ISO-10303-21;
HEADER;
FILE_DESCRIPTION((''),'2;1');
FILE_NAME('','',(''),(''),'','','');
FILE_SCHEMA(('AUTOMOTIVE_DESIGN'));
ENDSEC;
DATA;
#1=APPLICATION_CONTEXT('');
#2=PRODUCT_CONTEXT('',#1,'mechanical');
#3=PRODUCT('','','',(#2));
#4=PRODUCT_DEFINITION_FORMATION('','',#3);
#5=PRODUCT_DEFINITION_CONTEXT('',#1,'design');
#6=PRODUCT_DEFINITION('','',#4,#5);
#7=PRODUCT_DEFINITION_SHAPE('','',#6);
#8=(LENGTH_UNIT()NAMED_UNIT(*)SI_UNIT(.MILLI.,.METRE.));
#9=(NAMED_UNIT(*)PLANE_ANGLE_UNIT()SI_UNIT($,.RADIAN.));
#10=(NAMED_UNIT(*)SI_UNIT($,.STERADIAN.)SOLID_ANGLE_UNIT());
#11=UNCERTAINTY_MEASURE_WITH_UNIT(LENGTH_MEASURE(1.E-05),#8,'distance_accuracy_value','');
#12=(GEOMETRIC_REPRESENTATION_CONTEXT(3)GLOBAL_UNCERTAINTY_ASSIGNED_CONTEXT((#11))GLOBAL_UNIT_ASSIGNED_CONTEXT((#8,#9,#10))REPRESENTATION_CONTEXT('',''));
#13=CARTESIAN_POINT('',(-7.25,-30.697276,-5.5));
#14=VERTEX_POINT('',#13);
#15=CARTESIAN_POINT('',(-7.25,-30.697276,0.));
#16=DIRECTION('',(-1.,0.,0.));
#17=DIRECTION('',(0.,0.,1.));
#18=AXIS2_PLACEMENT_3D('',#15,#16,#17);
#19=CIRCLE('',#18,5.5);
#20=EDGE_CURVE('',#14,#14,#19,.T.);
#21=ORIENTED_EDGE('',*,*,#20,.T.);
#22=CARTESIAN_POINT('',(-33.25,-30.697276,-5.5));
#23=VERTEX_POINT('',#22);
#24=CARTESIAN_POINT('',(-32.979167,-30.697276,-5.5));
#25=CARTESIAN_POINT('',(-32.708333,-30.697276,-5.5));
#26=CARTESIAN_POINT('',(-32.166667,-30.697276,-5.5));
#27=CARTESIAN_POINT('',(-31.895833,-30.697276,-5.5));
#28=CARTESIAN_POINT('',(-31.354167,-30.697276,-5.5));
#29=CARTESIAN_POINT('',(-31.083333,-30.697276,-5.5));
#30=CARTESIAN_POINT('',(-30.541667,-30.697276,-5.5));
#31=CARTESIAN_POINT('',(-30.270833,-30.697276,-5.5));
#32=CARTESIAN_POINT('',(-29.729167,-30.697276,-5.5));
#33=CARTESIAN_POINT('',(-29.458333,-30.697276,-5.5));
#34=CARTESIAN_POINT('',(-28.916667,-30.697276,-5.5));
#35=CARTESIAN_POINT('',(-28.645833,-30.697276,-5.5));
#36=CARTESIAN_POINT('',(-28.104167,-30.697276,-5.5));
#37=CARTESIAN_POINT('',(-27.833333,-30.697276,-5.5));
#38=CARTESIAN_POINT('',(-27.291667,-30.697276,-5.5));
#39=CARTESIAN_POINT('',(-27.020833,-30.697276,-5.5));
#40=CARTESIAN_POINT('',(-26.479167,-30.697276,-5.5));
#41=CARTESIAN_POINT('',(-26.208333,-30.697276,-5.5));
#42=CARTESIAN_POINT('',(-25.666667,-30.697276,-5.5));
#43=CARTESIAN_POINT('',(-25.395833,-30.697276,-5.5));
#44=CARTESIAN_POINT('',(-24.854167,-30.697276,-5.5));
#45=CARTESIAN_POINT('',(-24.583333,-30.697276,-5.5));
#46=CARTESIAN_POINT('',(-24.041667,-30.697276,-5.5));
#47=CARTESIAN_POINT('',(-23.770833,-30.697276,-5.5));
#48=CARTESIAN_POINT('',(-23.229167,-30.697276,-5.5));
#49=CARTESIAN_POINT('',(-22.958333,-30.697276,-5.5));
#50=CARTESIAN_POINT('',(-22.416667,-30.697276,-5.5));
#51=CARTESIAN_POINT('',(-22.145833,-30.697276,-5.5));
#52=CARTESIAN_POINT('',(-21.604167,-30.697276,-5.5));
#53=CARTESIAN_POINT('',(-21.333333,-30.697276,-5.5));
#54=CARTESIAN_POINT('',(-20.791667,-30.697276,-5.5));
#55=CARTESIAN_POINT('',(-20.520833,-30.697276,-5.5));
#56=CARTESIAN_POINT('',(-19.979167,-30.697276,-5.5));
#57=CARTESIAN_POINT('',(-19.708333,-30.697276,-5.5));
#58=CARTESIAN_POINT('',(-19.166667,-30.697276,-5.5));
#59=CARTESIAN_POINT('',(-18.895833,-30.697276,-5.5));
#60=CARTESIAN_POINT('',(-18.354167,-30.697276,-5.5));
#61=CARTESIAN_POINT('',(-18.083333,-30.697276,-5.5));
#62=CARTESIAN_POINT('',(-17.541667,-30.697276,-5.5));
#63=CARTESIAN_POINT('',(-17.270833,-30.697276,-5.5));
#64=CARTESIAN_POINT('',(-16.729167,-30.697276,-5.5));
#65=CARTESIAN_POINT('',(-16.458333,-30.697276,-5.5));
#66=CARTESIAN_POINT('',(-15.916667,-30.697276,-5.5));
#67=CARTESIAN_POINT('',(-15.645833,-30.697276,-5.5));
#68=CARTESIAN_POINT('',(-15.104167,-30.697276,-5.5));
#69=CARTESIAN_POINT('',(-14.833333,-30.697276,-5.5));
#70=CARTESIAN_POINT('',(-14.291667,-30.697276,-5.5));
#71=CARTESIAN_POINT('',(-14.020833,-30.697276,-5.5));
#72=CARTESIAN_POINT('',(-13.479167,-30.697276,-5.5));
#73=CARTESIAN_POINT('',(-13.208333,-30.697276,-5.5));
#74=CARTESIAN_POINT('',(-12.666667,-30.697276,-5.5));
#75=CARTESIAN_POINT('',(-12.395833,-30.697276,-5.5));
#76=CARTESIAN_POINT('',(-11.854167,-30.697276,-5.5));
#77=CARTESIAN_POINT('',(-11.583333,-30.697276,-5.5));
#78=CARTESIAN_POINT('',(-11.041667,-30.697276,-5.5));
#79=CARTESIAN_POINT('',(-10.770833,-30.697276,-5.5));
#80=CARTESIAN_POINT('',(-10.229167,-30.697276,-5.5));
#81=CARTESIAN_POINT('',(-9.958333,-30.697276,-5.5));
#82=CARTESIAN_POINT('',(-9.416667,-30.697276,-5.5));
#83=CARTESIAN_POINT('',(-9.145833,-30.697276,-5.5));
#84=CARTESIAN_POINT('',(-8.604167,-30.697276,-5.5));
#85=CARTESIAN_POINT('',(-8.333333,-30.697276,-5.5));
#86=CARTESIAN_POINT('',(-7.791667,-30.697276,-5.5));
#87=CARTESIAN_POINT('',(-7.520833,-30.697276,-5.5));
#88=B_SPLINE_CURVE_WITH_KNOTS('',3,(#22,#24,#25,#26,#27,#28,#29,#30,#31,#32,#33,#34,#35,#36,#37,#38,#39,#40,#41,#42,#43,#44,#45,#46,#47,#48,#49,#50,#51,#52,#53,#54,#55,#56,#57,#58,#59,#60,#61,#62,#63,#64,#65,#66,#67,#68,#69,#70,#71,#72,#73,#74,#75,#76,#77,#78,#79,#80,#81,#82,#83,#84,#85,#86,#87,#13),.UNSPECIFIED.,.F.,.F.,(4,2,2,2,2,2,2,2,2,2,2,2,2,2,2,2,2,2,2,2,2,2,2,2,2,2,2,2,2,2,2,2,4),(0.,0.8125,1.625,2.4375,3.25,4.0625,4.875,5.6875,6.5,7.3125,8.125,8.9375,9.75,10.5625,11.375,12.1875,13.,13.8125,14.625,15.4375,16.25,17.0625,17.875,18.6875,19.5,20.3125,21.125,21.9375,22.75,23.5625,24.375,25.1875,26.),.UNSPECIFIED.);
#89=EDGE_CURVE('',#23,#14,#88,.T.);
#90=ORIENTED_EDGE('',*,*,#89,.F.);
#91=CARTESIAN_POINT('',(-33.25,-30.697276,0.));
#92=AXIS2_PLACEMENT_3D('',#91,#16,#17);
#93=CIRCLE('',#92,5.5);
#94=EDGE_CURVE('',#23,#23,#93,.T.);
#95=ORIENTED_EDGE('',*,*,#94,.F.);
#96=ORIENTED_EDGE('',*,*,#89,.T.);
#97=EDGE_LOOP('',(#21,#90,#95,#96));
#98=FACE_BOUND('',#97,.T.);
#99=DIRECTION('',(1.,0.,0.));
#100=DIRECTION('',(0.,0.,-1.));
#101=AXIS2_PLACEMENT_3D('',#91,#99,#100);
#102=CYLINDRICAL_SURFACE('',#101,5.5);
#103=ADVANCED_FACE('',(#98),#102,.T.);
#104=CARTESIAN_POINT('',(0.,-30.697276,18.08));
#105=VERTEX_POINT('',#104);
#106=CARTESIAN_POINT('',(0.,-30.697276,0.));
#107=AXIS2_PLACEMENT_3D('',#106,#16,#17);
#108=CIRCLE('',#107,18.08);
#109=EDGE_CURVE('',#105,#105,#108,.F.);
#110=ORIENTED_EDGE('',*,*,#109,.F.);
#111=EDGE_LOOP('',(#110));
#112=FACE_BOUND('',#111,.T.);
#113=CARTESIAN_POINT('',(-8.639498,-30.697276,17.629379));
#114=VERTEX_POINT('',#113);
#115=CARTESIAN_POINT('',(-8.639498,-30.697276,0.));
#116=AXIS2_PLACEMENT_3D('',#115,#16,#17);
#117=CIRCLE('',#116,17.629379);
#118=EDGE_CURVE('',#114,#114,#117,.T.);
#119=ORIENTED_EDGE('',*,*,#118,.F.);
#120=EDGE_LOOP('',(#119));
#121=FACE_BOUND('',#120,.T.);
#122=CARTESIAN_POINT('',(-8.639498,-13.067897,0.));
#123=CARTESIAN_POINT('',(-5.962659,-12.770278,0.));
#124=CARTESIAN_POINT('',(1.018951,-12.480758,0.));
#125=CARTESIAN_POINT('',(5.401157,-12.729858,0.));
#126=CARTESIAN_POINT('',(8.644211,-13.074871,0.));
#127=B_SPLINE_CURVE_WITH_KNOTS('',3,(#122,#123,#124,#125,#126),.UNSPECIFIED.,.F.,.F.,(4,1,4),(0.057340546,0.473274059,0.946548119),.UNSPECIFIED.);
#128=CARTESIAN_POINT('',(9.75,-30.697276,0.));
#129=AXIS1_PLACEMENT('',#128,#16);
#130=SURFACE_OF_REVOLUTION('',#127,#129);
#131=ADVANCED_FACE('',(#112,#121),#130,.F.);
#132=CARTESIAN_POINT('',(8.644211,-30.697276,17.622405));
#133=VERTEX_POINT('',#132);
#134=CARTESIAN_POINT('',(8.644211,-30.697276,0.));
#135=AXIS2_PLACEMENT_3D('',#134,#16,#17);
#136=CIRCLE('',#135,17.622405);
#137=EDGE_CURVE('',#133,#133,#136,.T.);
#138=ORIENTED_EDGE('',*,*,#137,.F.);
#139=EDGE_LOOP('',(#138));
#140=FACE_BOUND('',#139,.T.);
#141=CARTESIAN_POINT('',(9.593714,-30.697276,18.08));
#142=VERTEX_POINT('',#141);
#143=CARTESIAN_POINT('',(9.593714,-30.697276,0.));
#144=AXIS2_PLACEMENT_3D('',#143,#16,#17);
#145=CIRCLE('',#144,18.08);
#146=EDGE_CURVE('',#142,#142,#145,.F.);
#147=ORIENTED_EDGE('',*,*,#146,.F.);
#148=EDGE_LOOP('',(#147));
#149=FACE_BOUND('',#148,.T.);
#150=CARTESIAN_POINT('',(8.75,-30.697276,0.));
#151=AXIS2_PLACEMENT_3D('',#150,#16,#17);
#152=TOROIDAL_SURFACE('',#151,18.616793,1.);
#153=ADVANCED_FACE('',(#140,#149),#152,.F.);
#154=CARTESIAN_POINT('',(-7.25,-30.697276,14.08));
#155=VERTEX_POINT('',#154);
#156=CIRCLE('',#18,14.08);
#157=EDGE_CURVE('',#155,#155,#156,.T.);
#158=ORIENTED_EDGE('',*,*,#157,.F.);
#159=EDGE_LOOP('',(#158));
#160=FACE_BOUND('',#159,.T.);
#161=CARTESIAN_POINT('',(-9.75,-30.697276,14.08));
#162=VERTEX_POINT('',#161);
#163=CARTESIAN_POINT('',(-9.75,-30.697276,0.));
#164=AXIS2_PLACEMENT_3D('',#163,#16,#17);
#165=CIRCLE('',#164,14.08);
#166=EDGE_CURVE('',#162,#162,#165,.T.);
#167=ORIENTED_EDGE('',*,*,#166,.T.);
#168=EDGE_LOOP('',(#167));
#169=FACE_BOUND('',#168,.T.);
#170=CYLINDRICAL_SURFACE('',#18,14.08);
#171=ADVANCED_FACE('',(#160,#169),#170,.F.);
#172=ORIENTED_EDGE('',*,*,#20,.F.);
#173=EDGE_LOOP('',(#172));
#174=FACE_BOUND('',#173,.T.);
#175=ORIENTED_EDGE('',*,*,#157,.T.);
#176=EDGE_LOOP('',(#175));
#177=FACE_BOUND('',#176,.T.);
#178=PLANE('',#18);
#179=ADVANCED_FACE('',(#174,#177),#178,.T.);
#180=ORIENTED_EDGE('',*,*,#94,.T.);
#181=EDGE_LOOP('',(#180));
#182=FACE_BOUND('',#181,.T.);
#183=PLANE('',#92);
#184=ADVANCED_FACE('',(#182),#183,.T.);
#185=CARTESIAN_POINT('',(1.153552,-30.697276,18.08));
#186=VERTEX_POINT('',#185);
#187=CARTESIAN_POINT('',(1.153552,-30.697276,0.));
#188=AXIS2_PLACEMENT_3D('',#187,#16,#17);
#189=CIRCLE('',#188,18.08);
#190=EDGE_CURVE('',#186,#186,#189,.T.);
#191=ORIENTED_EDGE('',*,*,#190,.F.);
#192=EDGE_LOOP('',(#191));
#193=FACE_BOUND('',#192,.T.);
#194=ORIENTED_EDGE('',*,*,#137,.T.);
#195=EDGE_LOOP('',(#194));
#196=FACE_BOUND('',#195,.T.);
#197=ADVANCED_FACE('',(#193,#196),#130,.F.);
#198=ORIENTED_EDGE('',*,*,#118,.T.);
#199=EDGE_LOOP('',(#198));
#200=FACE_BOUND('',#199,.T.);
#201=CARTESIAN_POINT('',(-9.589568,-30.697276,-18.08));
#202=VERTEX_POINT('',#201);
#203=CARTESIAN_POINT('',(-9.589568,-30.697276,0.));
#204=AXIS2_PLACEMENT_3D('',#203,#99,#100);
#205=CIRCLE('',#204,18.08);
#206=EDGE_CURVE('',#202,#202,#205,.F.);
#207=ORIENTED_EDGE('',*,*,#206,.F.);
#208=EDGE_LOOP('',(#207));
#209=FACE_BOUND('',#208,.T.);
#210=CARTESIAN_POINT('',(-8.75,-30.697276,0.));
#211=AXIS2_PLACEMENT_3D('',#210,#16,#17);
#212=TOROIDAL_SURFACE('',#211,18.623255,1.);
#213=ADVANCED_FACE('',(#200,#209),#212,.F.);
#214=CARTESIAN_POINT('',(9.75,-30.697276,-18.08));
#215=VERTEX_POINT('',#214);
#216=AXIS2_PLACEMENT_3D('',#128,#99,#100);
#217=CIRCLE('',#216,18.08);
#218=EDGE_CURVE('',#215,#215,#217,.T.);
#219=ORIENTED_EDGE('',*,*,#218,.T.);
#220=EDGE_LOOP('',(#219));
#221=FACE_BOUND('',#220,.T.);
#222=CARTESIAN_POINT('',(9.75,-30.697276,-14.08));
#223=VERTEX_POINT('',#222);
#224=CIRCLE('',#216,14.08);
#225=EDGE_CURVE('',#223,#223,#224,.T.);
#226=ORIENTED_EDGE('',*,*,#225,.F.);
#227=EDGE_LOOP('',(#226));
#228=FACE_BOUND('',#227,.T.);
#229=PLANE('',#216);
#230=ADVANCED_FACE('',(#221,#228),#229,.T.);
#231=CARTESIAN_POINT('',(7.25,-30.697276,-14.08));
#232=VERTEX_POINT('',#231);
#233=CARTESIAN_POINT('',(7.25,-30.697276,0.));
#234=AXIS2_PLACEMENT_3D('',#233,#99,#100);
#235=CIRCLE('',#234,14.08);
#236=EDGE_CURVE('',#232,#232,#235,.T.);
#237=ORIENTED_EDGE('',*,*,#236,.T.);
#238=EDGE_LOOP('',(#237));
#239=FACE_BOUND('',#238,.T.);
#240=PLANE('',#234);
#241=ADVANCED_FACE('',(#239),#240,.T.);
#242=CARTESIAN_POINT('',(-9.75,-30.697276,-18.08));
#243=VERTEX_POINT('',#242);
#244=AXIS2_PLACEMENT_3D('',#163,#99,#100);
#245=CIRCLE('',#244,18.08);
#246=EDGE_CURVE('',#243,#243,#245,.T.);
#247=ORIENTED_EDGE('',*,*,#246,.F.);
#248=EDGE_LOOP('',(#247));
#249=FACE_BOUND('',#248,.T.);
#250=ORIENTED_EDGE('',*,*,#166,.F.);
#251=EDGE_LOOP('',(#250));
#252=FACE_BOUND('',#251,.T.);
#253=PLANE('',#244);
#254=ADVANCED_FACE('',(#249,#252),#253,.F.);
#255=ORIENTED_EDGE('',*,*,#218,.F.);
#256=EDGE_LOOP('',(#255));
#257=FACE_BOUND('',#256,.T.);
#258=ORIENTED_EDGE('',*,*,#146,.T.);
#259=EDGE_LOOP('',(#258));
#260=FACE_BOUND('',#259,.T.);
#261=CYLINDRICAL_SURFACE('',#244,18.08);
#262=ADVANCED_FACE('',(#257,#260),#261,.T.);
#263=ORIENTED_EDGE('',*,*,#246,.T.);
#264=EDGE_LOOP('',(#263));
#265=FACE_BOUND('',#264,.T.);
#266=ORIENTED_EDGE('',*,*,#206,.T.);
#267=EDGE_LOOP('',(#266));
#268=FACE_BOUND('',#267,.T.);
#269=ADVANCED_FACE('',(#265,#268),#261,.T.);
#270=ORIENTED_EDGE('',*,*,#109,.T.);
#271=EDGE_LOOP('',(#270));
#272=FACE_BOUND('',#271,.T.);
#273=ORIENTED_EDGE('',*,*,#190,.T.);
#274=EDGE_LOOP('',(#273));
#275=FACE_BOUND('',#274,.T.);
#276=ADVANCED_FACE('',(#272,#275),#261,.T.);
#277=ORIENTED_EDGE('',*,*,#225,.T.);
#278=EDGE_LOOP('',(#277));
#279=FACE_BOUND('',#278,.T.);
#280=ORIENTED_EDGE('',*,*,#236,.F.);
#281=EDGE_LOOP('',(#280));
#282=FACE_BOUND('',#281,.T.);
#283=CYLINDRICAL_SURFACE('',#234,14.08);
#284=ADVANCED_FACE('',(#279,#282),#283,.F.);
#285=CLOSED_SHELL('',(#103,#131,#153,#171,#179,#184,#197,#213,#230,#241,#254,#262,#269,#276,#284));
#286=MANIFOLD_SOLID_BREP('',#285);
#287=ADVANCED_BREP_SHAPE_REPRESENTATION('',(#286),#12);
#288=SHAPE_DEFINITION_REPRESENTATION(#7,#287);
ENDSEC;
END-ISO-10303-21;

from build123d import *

# Parameters (mm, degrees)
BOSS_EXTRU_1_DEPTH      = 9.75
BOSS_EXTRU_1_DEPTH_BACK = 9.75
ESQUISSE2_R             = 18.08
ESQUISSE4_R             = 14.08
ENL_V_MAT_EXTRU_1_DEPTH = 2.5
ENL_V_START             = -2.5
ESQUISSE5_R             = 14.08
ENL_V_MAT_EXTRU_2_DEPTH = 2.5
ESQUISSE6_R             = 5.5
BOSS_EXTRU_2_DEPTH      = 26


with BuildPart() as part:
    # Esquisse2 → Boss.-Extru.1 (new, two sides: drawn at the far end of the back side and taken through both)
    with BuildSketch(Plane(origin=(0, 0, 0), x_dir=(0, 0, -1), z_dir=(1, 0, 0)).offset(-BOSS_EXTRU_1_DEPTH_BACK)):
        with Locations((0, -30.697276077)):
            Circle(ESQUISSE2_R)
    extrude(amount=BOSS_EXTRU_1_DEPTH + BOSS_EXTRU_1_DEPTH_BACK)

    # Enlèvement de matière-Balayage1: sweep along a curve in space
    with BuildLine() as enl_vement_de_mati_re_balayage1_path:
        ThreePointArc((9.75, -30.697276077, -18.08), (9.75, -17.912785473, -12.784490604), (9.75, -12.617276077, 0))
        ThreePointArc((9.75, -12.617276077, 0), (9.75, -17.912785473, 12.784490604), (9.75, -30.697276077, 18.08))
        ThreePointArc((9.75, -30.697276077, 18.08), (9.75, -43.481766681, 12.784490604), (9.75, -48.777276077, 0))
        ThreePointArc((9.75, -48.777276077, 0), (9.75, -43.481766681, -12.784490604), (9.75, -30.697276077, -18.08))
    # Esquisse1 → Enlèvement de matière-Balayage1 (sweep, cut)
    with BuildSketch(Plane.XY):
        with BuildLine():
            Line((9.75, -1.705844805), (9.75, -12.080482835))
            ThreePointArc((9.75, -12.080482835), (9.418659658, -12.824051434), (8.644211477, -13.074871486))
            add(Edge.make_bspline(
                [(-8.639497918, -13.06789707), (-5.962658662, -12.770278108), (1.018950966, -12.480757929), (5.401157061, -12.729857554), (8.644211477, -13.074871486)],
                knots=[0.057340546, 0.057340546, 0.057340546, 0.057340546, 0.473274059, 0.946548119, 0.946548119, 0.946548119, 0.946548119], degree=3))
            ThreePointArc((-8.639497918, -13.06789707), (-9.416895013, -12.819172867), (-9.75, -12.074021177))
            Line((-9.75, -12.074021177), (-9.75, -1.69364433))
            ThreePointArc((-9.75, -1.69364433), (-9.265544866, -0.388606491), (-8.04687624, 0.284199066))
            add(Edge.make_bspline(
                [(-8.04687624, 0.284199066), (-5.709420251, 0.63505351), (1.539056453, 0.939568483), (5.000411491, 0.71370426), (8.036962294, 0.273461297)],
                knots=[0.08950135, 0.08950135, 0.08950135, 0.08950135, 0.457115955, 0.91423191, 0.91423191, 0.91423191, 0.91423191], degree=3))
            ThreePointArc((8.036962294, 0.273461297), (9.262270576, -0.397014141), (9.75, -1.705844805))
        make_face()
    sweep(path=enl_vement_de_mati_re_balayage1_path.line, mode=Mode.SUBTRACT)

    # Esquisse4 → Enlèv. mat.-Extru.1 (cut)
    with BuildSketch(Plane(origin=(9.75, 0, 0), x_dir=(0, 0, -1), z_dir=(1, 0, 0))):
        with Locations((0, -30.697276077)):
            Circle(ESQUISSE4_R)
    extrude(amount=-ENL_V_MAT_EXTRU_1_DEPTH, mode=Mode.SUBTRACT)

    # Esquisse5 → Enlèv. mat.-Extru.2 (cut)
    with BuildSketch(Plane.ZY.offset(9.75).offset(ENL_V_START)):
        with Locations((0, -30.697276077)):
            Circle(ESQUISSE5_R)
    extrude(amount=ENL_V_MAT_EXTRU_2_DEPTH, mode=Mode.SUBTRACT)

    # Esquisse6 → Boss.-Extru.2 (add)
    with BuildSketch(Plane.ZY.offset(7.25)):
        with Locations((0, -30.697276077)):
            Circle(ESQUISSE6_R)
    extrude(amount=BOSS_EXTRU_2_DEPTH)


solid = part.part
